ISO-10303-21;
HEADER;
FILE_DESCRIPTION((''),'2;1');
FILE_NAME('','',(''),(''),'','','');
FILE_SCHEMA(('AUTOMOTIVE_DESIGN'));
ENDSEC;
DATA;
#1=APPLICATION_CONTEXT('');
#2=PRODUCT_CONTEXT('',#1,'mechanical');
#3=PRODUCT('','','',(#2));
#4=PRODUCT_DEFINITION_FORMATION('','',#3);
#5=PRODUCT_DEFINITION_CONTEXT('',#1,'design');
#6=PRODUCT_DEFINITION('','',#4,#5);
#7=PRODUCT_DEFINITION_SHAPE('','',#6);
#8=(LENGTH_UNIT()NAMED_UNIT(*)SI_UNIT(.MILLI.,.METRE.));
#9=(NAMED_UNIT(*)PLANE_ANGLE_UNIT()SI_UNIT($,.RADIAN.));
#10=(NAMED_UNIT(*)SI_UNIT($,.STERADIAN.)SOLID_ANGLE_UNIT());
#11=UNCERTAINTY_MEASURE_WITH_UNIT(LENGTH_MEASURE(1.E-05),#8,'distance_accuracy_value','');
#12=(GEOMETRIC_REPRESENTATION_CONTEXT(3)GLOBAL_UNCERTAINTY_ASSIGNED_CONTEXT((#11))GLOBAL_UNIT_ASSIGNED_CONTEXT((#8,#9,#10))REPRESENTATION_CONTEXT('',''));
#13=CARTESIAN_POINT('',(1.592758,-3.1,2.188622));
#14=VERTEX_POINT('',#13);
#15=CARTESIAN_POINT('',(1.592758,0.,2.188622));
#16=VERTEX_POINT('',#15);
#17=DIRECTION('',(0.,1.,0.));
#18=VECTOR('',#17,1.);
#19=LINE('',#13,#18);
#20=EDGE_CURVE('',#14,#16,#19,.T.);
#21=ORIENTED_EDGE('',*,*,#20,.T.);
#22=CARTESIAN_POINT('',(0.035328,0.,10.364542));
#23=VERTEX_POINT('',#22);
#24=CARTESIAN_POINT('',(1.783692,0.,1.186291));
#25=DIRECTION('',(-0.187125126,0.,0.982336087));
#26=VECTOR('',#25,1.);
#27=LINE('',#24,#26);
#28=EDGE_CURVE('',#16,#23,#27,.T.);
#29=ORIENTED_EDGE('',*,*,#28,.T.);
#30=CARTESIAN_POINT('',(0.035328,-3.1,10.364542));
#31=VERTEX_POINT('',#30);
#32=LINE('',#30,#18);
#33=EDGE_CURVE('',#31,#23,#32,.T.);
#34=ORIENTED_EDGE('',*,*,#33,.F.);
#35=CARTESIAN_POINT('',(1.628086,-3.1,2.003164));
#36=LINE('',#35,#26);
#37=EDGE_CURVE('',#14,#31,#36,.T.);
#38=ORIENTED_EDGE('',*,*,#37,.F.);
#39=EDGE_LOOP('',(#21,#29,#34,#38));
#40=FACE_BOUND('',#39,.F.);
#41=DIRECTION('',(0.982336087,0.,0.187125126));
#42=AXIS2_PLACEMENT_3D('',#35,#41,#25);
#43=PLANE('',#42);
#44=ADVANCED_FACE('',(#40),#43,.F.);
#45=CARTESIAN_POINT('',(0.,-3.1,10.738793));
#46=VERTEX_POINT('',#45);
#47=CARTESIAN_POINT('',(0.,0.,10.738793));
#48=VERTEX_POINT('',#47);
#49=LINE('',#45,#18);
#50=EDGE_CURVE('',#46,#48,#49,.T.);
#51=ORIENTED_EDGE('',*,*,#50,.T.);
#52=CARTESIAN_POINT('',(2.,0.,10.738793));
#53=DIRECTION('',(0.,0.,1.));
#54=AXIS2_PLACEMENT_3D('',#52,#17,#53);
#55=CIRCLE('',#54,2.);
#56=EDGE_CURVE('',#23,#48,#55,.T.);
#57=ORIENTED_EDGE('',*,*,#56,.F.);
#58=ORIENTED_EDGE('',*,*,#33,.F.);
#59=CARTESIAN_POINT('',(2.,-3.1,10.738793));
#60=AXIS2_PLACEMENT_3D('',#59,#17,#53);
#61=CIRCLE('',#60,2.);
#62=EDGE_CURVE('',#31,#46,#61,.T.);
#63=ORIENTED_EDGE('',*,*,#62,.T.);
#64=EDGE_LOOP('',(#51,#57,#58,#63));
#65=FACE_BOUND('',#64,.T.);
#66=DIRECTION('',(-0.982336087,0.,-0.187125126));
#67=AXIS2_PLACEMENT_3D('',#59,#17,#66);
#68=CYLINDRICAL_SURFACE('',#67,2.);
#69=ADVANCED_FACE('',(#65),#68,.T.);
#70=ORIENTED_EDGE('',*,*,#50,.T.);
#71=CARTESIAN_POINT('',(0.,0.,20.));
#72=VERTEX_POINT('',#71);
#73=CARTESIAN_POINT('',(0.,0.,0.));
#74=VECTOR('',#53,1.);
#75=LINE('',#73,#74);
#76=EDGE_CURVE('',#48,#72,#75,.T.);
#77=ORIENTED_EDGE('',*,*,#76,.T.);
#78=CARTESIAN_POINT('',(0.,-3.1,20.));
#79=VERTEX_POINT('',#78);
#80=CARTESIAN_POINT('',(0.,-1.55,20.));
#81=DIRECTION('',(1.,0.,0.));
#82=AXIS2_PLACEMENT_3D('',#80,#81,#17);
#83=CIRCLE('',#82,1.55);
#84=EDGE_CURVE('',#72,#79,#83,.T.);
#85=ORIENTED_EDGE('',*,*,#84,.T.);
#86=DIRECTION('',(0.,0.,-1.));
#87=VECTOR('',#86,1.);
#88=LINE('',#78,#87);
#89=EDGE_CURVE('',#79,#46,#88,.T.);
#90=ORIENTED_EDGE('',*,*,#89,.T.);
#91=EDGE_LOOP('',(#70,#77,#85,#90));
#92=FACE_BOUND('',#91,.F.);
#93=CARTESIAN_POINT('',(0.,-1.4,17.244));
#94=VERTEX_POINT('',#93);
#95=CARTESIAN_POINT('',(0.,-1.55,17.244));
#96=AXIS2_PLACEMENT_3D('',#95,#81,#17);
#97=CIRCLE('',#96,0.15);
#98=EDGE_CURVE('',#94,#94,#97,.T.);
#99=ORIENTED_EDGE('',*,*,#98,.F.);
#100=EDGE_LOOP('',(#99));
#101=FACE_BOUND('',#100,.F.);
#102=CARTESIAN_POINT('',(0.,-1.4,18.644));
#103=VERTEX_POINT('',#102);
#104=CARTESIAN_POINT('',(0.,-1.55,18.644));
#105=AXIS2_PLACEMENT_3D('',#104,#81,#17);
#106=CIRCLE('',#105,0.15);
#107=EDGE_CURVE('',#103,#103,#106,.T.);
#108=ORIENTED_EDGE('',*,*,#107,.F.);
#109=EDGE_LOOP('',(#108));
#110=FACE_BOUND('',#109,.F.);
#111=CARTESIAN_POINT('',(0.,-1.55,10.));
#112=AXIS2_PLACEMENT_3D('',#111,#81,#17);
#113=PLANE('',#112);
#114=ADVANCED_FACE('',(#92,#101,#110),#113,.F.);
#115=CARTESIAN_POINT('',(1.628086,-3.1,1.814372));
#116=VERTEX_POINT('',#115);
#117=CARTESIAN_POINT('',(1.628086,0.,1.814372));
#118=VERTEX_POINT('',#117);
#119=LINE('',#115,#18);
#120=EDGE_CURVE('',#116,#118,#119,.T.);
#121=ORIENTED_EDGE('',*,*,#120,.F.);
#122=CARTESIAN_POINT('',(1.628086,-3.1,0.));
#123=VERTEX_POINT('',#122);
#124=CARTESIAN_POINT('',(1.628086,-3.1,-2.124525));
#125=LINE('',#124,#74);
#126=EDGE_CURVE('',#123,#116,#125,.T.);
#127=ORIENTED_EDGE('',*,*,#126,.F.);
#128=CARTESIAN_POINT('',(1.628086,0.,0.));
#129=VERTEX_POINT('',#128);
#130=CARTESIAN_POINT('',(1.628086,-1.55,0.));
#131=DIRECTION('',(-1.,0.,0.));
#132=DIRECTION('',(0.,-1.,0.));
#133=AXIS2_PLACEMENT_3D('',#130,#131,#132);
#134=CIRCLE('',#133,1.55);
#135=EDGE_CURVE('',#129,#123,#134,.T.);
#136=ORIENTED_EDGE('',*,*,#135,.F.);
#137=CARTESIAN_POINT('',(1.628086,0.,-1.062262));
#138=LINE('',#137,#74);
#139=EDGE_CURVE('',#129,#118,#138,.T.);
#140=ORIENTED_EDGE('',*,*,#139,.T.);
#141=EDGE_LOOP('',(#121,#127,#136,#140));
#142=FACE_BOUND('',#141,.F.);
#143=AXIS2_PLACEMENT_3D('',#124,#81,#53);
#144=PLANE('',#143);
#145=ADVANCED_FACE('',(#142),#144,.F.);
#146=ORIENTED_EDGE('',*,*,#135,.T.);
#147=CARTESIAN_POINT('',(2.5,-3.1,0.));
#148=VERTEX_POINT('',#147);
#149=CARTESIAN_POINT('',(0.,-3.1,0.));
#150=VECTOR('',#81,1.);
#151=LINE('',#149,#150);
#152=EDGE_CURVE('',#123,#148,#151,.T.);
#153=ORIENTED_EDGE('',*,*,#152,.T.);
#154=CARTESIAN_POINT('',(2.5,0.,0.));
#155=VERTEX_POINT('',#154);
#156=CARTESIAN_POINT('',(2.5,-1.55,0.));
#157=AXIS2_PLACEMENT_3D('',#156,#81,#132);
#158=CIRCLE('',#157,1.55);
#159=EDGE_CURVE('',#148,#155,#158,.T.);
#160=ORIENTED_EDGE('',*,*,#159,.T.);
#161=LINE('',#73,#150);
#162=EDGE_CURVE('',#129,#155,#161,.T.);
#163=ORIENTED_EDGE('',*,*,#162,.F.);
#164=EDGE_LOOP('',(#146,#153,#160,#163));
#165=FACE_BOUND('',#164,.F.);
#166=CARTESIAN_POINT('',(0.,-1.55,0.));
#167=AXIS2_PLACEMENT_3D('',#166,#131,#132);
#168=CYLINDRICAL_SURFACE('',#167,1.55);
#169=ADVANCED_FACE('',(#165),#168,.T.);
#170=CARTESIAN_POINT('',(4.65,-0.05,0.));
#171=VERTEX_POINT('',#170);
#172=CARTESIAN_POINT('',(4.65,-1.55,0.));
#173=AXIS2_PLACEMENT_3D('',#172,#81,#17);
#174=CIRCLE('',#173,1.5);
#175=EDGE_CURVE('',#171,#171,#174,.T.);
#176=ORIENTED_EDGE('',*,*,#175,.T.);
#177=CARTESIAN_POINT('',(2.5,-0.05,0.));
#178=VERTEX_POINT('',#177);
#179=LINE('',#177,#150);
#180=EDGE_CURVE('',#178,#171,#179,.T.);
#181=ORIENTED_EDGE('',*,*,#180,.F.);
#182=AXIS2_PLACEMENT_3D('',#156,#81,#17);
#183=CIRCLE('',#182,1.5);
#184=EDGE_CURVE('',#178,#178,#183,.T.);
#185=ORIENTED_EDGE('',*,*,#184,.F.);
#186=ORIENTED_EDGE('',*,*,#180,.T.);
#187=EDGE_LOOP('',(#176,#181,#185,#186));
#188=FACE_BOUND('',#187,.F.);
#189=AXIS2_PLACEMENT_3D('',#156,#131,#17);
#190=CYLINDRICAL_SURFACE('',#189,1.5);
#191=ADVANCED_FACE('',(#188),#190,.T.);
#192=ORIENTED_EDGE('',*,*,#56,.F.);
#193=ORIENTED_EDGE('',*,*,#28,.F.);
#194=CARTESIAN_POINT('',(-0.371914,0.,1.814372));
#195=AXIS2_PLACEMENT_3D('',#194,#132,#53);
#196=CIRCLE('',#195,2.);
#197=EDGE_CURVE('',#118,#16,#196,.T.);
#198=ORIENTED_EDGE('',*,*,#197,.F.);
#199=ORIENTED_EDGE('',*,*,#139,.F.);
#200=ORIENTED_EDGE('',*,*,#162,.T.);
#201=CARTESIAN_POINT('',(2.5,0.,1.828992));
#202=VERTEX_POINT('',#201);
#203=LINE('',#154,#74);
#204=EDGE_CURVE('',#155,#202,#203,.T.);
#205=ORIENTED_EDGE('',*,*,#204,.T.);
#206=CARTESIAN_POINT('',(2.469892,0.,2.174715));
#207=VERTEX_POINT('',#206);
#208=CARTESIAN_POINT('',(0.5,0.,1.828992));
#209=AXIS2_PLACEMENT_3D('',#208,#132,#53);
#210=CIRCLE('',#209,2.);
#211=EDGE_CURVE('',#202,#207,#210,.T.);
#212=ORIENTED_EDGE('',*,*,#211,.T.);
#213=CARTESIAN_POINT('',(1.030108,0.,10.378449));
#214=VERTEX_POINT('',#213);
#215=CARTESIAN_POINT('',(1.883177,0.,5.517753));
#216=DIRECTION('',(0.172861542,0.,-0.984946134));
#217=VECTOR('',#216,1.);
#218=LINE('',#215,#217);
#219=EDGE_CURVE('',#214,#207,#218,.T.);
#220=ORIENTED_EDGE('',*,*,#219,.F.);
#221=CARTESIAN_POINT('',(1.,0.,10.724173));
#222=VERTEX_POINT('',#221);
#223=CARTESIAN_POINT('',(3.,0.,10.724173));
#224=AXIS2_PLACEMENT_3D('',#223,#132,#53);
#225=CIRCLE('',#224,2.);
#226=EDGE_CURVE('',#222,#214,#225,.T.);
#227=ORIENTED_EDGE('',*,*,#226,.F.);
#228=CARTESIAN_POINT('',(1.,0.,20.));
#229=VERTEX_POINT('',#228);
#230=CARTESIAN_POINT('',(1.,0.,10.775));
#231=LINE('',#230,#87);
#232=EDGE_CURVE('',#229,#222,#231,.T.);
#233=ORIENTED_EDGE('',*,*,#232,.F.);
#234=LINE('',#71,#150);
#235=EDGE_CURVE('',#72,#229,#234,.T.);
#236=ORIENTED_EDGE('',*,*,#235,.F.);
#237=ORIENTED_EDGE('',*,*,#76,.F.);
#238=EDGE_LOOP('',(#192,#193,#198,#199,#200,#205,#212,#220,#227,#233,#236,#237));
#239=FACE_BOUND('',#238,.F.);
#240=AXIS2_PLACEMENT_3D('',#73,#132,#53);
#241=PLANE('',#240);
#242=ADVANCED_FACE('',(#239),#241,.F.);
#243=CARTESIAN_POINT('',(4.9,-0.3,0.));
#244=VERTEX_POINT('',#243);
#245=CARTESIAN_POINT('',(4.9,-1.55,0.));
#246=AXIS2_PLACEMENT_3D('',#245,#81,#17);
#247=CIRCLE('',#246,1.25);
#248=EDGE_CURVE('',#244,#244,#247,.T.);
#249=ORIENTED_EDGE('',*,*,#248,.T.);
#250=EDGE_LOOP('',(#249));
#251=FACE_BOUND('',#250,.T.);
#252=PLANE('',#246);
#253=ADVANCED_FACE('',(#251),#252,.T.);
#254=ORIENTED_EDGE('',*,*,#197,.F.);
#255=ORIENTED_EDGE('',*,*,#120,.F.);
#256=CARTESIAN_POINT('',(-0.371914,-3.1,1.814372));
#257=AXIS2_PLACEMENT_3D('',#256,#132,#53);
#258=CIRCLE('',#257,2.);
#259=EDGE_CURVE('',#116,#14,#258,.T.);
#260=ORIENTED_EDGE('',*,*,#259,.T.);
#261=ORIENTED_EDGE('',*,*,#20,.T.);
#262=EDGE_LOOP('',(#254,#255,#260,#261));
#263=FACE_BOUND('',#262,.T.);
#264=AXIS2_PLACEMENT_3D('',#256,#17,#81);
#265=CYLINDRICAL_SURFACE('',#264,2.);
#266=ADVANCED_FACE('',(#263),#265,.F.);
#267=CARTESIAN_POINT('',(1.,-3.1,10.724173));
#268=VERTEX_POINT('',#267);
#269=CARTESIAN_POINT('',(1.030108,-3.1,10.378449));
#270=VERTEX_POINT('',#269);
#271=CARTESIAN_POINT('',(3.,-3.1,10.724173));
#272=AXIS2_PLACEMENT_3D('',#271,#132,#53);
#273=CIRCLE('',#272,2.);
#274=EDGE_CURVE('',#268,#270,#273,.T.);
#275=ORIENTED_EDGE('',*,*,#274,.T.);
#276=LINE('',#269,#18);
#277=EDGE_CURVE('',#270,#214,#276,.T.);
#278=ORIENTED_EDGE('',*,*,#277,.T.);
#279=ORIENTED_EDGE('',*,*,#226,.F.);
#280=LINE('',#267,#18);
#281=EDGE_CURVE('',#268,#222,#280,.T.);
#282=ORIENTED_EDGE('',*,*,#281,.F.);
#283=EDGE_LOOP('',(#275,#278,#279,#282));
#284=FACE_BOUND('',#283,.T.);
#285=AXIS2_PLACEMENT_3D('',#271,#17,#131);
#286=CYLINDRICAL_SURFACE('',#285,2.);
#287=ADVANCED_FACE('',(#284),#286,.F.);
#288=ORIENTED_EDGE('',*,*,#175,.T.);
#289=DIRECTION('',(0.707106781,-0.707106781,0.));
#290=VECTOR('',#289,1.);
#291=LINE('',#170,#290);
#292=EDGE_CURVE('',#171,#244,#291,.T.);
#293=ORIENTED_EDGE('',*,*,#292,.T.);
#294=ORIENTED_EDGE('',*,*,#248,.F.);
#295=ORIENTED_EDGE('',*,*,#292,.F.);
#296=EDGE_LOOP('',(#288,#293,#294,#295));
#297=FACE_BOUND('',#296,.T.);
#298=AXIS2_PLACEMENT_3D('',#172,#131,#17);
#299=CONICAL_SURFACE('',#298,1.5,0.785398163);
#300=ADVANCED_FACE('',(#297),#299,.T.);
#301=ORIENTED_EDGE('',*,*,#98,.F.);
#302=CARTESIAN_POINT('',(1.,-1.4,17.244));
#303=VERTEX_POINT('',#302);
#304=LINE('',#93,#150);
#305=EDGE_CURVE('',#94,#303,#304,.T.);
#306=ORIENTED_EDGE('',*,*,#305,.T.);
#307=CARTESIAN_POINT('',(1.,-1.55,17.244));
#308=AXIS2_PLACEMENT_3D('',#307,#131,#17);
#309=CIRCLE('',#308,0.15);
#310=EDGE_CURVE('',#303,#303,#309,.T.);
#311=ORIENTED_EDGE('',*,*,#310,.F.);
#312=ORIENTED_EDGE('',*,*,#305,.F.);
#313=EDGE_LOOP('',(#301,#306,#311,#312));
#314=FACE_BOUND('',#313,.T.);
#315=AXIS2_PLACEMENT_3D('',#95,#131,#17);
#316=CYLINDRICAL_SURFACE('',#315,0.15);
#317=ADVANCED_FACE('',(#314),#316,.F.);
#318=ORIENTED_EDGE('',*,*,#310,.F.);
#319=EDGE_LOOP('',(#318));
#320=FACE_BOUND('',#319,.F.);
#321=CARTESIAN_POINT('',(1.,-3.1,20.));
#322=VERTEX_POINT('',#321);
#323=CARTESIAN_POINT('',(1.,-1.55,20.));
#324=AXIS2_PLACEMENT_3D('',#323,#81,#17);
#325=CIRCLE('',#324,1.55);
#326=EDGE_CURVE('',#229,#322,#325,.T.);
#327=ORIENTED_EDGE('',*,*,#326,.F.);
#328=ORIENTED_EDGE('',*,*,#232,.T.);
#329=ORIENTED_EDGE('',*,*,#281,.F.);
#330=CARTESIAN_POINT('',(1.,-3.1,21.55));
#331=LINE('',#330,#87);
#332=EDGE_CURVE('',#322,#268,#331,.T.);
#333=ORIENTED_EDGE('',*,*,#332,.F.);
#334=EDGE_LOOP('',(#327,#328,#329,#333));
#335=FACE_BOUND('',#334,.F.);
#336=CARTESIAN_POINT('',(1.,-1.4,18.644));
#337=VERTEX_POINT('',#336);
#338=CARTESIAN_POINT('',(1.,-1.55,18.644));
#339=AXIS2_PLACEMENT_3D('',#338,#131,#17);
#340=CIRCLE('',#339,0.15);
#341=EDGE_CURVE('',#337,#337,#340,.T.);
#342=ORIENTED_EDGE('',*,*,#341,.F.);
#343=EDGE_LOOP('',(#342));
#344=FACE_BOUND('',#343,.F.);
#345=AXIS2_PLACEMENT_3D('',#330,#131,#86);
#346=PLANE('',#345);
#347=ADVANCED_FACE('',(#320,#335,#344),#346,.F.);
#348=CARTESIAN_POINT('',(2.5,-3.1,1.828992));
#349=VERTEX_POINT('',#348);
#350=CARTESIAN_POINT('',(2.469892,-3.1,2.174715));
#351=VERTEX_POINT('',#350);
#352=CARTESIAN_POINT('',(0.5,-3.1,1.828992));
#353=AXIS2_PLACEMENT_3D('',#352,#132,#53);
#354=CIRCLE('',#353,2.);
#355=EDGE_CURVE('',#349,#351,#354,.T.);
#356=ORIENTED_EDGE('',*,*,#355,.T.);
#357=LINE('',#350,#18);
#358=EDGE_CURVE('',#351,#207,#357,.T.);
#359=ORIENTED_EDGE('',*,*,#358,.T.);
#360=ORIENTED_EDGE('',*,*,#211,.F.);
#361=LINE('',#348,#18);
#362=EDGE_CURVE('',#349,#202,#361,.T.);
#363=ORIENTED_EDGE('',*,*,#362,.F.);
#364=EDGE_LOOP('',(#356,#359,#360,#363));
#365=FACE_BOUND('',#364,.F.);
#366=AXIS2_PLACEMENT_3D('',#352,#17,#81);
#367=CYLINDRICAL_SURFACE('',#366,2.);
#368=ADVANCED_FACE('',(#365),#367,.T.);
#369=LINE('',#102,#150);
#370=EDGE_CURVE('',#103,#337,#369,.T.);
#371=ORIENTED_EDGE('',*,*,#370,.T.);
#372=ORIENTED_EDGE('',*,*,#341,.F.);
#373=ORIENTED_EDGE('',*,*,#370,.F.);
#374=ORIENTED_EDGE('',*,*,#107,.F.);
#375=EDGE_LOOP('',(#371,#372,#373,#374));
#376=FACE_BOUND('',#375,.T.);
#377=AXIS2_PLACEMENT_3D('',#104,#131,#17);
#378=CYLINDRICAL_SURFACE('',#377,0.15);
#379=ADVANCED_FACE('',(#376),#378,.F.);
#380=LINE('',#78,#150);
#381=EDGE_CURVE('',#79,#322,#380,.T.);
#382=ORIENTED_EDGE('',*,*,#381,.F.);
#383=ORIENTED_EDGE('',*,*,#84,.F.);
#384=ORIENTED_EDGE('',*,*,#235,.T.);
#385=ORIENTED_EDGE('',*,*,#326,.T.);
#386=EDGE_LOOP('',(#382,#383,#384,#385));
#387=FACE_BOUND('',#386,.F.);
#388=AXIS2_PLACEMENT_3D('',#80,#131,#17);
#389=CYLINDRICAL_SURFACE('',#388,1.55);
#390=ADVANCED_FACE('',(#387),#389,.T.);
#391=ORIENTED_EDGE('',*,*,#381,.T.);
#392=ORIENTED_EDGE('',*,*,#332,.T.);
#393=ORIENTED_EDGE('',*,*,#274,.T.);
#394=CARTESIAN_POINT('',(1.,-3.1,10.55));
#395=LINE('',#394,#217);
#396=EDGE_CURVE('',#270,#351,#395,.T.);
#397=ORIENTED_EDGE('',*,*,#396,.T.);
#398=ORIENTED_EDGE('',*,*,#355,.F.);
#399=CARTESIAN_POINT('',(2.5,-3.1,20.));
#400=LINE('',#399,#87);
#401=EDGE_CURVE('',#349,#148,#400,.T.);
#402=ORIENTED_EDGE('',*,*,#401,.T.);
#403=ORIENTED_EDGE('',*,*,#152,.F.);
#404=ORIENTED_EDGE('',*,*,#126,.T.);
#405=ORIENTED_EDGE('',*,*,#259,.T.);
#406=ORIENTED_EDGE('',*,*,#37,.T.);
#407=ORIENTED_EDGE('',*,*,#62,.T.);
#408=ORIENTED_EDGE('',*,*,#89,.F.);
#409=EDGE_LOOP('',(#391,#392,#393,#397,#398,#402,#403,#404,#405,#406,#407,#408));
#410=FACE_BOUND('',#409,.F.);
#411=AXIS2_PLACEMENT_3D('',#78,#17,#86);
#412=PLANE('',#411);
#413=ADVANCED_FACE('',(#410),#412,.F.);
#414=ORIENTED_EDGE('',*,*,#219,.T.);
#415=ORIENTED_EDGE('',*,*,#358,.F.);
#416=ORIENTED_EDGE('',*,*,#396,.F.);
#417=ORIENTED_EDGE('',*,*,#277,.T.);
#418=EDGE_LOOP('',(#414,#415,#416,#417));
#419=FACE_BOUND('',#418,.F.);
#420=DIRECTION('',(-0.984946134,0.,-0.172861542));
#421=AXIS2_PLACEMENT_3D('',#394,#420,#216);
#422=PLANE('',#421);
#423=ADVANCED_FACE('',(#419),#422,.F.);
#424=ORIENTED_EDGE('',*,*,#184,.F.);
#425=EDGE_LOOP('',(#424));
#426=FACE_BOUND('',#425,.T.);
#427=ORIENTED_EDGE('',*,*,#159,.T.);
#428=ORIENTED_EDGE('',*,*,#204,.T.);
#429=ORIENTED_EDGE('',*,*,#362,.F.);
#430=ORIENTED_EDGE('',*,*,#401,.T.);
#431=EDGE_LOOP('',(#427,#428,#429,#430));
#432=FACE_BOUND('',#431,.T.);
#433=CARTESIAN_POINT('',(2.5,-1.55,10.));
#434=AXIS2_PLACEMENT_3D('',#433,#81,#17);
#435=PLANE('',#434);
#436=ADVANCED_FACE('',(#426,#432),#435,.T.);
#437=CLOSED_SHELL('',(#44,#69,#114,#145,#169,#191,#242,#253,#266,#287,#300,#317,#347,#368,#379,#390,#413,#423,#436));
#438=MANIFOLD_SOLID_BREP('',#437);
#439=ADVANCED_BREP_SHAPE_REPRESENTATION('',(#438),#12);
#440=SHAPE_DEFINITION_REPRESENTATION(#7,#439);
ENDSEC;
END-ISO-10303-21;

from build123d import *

# Parameters (mm, degrees)
F0_R     = 0.15
F1_DEPTH = 2.5
F2_R     = 1.5
F3_DEPTH = 2.4
F5_DEPTH = 25
F7_DEPTH = 25
F8_R     = 2
F9_SIZE  = 0.25


with BuildPart() as f1:
    # F0 (on Right) → F1 (new body)
    with BuildSketch(Plane.YZ):
        with BuildLine():
            ThreePointArc((-3.1, 0), (-1.55, -1.55), (0, 0))
            Line((0, 0), (0, 20))
            ThreePointArc((0, 20), (-1.55, 21.55), (-3.1, 20))
            Line((-3.1, 20), (-3.1, 0))
        make_face()
        with Locations((-1.55, 17.244)):
            Circle(F0_R, mode=Mode.SUBTRACT)
        with Locations((-1.55, 18.644)):
            Circle(F0_R, mode=Mode.SUBTRACT)
    extrude(amount=F1_DEPTH)

    # F2 (on face) → F3 (join)
    with BuildSketch(Plane.YZ.offset(2.5)):
        with Locations((-1.55, 0)):
            Circle(F2_R)
    extrude(amount=F3_DEPTH)

    # F4 (on face) → F5 (cut)
    with BuildSketch(Plane.XZ.offset(3.1)):
        Polygon((2.5, 10.55), (2.5, 21.55), (1, 21.55), (1, 10.55), (2.5, 2.0031642634), align=None)
    extrude(amount=-F5_DEPTH, mode=Mode.SUBTRACT)

    # F6 (on face) → F7 (cut)
    with BuildSketch(Plane.XZ.offset(3.1)):
        Polygon((1.6280860873, 2.0031642634), (0, 10.55), (0, -2.1245246753), (1.6280860873, -2.1245246753), align=None)
    extrude(amount=-F7_DEPTH, mode=Mode.SUBTRACT)

    # F8
    f8_edges = [f1.edges().sort_by_distance(p)[0] for p in [
        (1, -1.55, 10.55),
        (2.5, -1.55, 2.003164),
        (1.628086, -1.55, 2.003164),
        (0, -1.55, 10.55),
    ]]
    fillet(f8_edges, radius=F8_R)

    # F9
    f9_edges = [f1.edges().sort_by_distance(p)[0] for p in [
        (4.9, -3.05, 0),
    ]]
    chamfer(f9_edges, length=F9_SIZE)


solid = f1.part
